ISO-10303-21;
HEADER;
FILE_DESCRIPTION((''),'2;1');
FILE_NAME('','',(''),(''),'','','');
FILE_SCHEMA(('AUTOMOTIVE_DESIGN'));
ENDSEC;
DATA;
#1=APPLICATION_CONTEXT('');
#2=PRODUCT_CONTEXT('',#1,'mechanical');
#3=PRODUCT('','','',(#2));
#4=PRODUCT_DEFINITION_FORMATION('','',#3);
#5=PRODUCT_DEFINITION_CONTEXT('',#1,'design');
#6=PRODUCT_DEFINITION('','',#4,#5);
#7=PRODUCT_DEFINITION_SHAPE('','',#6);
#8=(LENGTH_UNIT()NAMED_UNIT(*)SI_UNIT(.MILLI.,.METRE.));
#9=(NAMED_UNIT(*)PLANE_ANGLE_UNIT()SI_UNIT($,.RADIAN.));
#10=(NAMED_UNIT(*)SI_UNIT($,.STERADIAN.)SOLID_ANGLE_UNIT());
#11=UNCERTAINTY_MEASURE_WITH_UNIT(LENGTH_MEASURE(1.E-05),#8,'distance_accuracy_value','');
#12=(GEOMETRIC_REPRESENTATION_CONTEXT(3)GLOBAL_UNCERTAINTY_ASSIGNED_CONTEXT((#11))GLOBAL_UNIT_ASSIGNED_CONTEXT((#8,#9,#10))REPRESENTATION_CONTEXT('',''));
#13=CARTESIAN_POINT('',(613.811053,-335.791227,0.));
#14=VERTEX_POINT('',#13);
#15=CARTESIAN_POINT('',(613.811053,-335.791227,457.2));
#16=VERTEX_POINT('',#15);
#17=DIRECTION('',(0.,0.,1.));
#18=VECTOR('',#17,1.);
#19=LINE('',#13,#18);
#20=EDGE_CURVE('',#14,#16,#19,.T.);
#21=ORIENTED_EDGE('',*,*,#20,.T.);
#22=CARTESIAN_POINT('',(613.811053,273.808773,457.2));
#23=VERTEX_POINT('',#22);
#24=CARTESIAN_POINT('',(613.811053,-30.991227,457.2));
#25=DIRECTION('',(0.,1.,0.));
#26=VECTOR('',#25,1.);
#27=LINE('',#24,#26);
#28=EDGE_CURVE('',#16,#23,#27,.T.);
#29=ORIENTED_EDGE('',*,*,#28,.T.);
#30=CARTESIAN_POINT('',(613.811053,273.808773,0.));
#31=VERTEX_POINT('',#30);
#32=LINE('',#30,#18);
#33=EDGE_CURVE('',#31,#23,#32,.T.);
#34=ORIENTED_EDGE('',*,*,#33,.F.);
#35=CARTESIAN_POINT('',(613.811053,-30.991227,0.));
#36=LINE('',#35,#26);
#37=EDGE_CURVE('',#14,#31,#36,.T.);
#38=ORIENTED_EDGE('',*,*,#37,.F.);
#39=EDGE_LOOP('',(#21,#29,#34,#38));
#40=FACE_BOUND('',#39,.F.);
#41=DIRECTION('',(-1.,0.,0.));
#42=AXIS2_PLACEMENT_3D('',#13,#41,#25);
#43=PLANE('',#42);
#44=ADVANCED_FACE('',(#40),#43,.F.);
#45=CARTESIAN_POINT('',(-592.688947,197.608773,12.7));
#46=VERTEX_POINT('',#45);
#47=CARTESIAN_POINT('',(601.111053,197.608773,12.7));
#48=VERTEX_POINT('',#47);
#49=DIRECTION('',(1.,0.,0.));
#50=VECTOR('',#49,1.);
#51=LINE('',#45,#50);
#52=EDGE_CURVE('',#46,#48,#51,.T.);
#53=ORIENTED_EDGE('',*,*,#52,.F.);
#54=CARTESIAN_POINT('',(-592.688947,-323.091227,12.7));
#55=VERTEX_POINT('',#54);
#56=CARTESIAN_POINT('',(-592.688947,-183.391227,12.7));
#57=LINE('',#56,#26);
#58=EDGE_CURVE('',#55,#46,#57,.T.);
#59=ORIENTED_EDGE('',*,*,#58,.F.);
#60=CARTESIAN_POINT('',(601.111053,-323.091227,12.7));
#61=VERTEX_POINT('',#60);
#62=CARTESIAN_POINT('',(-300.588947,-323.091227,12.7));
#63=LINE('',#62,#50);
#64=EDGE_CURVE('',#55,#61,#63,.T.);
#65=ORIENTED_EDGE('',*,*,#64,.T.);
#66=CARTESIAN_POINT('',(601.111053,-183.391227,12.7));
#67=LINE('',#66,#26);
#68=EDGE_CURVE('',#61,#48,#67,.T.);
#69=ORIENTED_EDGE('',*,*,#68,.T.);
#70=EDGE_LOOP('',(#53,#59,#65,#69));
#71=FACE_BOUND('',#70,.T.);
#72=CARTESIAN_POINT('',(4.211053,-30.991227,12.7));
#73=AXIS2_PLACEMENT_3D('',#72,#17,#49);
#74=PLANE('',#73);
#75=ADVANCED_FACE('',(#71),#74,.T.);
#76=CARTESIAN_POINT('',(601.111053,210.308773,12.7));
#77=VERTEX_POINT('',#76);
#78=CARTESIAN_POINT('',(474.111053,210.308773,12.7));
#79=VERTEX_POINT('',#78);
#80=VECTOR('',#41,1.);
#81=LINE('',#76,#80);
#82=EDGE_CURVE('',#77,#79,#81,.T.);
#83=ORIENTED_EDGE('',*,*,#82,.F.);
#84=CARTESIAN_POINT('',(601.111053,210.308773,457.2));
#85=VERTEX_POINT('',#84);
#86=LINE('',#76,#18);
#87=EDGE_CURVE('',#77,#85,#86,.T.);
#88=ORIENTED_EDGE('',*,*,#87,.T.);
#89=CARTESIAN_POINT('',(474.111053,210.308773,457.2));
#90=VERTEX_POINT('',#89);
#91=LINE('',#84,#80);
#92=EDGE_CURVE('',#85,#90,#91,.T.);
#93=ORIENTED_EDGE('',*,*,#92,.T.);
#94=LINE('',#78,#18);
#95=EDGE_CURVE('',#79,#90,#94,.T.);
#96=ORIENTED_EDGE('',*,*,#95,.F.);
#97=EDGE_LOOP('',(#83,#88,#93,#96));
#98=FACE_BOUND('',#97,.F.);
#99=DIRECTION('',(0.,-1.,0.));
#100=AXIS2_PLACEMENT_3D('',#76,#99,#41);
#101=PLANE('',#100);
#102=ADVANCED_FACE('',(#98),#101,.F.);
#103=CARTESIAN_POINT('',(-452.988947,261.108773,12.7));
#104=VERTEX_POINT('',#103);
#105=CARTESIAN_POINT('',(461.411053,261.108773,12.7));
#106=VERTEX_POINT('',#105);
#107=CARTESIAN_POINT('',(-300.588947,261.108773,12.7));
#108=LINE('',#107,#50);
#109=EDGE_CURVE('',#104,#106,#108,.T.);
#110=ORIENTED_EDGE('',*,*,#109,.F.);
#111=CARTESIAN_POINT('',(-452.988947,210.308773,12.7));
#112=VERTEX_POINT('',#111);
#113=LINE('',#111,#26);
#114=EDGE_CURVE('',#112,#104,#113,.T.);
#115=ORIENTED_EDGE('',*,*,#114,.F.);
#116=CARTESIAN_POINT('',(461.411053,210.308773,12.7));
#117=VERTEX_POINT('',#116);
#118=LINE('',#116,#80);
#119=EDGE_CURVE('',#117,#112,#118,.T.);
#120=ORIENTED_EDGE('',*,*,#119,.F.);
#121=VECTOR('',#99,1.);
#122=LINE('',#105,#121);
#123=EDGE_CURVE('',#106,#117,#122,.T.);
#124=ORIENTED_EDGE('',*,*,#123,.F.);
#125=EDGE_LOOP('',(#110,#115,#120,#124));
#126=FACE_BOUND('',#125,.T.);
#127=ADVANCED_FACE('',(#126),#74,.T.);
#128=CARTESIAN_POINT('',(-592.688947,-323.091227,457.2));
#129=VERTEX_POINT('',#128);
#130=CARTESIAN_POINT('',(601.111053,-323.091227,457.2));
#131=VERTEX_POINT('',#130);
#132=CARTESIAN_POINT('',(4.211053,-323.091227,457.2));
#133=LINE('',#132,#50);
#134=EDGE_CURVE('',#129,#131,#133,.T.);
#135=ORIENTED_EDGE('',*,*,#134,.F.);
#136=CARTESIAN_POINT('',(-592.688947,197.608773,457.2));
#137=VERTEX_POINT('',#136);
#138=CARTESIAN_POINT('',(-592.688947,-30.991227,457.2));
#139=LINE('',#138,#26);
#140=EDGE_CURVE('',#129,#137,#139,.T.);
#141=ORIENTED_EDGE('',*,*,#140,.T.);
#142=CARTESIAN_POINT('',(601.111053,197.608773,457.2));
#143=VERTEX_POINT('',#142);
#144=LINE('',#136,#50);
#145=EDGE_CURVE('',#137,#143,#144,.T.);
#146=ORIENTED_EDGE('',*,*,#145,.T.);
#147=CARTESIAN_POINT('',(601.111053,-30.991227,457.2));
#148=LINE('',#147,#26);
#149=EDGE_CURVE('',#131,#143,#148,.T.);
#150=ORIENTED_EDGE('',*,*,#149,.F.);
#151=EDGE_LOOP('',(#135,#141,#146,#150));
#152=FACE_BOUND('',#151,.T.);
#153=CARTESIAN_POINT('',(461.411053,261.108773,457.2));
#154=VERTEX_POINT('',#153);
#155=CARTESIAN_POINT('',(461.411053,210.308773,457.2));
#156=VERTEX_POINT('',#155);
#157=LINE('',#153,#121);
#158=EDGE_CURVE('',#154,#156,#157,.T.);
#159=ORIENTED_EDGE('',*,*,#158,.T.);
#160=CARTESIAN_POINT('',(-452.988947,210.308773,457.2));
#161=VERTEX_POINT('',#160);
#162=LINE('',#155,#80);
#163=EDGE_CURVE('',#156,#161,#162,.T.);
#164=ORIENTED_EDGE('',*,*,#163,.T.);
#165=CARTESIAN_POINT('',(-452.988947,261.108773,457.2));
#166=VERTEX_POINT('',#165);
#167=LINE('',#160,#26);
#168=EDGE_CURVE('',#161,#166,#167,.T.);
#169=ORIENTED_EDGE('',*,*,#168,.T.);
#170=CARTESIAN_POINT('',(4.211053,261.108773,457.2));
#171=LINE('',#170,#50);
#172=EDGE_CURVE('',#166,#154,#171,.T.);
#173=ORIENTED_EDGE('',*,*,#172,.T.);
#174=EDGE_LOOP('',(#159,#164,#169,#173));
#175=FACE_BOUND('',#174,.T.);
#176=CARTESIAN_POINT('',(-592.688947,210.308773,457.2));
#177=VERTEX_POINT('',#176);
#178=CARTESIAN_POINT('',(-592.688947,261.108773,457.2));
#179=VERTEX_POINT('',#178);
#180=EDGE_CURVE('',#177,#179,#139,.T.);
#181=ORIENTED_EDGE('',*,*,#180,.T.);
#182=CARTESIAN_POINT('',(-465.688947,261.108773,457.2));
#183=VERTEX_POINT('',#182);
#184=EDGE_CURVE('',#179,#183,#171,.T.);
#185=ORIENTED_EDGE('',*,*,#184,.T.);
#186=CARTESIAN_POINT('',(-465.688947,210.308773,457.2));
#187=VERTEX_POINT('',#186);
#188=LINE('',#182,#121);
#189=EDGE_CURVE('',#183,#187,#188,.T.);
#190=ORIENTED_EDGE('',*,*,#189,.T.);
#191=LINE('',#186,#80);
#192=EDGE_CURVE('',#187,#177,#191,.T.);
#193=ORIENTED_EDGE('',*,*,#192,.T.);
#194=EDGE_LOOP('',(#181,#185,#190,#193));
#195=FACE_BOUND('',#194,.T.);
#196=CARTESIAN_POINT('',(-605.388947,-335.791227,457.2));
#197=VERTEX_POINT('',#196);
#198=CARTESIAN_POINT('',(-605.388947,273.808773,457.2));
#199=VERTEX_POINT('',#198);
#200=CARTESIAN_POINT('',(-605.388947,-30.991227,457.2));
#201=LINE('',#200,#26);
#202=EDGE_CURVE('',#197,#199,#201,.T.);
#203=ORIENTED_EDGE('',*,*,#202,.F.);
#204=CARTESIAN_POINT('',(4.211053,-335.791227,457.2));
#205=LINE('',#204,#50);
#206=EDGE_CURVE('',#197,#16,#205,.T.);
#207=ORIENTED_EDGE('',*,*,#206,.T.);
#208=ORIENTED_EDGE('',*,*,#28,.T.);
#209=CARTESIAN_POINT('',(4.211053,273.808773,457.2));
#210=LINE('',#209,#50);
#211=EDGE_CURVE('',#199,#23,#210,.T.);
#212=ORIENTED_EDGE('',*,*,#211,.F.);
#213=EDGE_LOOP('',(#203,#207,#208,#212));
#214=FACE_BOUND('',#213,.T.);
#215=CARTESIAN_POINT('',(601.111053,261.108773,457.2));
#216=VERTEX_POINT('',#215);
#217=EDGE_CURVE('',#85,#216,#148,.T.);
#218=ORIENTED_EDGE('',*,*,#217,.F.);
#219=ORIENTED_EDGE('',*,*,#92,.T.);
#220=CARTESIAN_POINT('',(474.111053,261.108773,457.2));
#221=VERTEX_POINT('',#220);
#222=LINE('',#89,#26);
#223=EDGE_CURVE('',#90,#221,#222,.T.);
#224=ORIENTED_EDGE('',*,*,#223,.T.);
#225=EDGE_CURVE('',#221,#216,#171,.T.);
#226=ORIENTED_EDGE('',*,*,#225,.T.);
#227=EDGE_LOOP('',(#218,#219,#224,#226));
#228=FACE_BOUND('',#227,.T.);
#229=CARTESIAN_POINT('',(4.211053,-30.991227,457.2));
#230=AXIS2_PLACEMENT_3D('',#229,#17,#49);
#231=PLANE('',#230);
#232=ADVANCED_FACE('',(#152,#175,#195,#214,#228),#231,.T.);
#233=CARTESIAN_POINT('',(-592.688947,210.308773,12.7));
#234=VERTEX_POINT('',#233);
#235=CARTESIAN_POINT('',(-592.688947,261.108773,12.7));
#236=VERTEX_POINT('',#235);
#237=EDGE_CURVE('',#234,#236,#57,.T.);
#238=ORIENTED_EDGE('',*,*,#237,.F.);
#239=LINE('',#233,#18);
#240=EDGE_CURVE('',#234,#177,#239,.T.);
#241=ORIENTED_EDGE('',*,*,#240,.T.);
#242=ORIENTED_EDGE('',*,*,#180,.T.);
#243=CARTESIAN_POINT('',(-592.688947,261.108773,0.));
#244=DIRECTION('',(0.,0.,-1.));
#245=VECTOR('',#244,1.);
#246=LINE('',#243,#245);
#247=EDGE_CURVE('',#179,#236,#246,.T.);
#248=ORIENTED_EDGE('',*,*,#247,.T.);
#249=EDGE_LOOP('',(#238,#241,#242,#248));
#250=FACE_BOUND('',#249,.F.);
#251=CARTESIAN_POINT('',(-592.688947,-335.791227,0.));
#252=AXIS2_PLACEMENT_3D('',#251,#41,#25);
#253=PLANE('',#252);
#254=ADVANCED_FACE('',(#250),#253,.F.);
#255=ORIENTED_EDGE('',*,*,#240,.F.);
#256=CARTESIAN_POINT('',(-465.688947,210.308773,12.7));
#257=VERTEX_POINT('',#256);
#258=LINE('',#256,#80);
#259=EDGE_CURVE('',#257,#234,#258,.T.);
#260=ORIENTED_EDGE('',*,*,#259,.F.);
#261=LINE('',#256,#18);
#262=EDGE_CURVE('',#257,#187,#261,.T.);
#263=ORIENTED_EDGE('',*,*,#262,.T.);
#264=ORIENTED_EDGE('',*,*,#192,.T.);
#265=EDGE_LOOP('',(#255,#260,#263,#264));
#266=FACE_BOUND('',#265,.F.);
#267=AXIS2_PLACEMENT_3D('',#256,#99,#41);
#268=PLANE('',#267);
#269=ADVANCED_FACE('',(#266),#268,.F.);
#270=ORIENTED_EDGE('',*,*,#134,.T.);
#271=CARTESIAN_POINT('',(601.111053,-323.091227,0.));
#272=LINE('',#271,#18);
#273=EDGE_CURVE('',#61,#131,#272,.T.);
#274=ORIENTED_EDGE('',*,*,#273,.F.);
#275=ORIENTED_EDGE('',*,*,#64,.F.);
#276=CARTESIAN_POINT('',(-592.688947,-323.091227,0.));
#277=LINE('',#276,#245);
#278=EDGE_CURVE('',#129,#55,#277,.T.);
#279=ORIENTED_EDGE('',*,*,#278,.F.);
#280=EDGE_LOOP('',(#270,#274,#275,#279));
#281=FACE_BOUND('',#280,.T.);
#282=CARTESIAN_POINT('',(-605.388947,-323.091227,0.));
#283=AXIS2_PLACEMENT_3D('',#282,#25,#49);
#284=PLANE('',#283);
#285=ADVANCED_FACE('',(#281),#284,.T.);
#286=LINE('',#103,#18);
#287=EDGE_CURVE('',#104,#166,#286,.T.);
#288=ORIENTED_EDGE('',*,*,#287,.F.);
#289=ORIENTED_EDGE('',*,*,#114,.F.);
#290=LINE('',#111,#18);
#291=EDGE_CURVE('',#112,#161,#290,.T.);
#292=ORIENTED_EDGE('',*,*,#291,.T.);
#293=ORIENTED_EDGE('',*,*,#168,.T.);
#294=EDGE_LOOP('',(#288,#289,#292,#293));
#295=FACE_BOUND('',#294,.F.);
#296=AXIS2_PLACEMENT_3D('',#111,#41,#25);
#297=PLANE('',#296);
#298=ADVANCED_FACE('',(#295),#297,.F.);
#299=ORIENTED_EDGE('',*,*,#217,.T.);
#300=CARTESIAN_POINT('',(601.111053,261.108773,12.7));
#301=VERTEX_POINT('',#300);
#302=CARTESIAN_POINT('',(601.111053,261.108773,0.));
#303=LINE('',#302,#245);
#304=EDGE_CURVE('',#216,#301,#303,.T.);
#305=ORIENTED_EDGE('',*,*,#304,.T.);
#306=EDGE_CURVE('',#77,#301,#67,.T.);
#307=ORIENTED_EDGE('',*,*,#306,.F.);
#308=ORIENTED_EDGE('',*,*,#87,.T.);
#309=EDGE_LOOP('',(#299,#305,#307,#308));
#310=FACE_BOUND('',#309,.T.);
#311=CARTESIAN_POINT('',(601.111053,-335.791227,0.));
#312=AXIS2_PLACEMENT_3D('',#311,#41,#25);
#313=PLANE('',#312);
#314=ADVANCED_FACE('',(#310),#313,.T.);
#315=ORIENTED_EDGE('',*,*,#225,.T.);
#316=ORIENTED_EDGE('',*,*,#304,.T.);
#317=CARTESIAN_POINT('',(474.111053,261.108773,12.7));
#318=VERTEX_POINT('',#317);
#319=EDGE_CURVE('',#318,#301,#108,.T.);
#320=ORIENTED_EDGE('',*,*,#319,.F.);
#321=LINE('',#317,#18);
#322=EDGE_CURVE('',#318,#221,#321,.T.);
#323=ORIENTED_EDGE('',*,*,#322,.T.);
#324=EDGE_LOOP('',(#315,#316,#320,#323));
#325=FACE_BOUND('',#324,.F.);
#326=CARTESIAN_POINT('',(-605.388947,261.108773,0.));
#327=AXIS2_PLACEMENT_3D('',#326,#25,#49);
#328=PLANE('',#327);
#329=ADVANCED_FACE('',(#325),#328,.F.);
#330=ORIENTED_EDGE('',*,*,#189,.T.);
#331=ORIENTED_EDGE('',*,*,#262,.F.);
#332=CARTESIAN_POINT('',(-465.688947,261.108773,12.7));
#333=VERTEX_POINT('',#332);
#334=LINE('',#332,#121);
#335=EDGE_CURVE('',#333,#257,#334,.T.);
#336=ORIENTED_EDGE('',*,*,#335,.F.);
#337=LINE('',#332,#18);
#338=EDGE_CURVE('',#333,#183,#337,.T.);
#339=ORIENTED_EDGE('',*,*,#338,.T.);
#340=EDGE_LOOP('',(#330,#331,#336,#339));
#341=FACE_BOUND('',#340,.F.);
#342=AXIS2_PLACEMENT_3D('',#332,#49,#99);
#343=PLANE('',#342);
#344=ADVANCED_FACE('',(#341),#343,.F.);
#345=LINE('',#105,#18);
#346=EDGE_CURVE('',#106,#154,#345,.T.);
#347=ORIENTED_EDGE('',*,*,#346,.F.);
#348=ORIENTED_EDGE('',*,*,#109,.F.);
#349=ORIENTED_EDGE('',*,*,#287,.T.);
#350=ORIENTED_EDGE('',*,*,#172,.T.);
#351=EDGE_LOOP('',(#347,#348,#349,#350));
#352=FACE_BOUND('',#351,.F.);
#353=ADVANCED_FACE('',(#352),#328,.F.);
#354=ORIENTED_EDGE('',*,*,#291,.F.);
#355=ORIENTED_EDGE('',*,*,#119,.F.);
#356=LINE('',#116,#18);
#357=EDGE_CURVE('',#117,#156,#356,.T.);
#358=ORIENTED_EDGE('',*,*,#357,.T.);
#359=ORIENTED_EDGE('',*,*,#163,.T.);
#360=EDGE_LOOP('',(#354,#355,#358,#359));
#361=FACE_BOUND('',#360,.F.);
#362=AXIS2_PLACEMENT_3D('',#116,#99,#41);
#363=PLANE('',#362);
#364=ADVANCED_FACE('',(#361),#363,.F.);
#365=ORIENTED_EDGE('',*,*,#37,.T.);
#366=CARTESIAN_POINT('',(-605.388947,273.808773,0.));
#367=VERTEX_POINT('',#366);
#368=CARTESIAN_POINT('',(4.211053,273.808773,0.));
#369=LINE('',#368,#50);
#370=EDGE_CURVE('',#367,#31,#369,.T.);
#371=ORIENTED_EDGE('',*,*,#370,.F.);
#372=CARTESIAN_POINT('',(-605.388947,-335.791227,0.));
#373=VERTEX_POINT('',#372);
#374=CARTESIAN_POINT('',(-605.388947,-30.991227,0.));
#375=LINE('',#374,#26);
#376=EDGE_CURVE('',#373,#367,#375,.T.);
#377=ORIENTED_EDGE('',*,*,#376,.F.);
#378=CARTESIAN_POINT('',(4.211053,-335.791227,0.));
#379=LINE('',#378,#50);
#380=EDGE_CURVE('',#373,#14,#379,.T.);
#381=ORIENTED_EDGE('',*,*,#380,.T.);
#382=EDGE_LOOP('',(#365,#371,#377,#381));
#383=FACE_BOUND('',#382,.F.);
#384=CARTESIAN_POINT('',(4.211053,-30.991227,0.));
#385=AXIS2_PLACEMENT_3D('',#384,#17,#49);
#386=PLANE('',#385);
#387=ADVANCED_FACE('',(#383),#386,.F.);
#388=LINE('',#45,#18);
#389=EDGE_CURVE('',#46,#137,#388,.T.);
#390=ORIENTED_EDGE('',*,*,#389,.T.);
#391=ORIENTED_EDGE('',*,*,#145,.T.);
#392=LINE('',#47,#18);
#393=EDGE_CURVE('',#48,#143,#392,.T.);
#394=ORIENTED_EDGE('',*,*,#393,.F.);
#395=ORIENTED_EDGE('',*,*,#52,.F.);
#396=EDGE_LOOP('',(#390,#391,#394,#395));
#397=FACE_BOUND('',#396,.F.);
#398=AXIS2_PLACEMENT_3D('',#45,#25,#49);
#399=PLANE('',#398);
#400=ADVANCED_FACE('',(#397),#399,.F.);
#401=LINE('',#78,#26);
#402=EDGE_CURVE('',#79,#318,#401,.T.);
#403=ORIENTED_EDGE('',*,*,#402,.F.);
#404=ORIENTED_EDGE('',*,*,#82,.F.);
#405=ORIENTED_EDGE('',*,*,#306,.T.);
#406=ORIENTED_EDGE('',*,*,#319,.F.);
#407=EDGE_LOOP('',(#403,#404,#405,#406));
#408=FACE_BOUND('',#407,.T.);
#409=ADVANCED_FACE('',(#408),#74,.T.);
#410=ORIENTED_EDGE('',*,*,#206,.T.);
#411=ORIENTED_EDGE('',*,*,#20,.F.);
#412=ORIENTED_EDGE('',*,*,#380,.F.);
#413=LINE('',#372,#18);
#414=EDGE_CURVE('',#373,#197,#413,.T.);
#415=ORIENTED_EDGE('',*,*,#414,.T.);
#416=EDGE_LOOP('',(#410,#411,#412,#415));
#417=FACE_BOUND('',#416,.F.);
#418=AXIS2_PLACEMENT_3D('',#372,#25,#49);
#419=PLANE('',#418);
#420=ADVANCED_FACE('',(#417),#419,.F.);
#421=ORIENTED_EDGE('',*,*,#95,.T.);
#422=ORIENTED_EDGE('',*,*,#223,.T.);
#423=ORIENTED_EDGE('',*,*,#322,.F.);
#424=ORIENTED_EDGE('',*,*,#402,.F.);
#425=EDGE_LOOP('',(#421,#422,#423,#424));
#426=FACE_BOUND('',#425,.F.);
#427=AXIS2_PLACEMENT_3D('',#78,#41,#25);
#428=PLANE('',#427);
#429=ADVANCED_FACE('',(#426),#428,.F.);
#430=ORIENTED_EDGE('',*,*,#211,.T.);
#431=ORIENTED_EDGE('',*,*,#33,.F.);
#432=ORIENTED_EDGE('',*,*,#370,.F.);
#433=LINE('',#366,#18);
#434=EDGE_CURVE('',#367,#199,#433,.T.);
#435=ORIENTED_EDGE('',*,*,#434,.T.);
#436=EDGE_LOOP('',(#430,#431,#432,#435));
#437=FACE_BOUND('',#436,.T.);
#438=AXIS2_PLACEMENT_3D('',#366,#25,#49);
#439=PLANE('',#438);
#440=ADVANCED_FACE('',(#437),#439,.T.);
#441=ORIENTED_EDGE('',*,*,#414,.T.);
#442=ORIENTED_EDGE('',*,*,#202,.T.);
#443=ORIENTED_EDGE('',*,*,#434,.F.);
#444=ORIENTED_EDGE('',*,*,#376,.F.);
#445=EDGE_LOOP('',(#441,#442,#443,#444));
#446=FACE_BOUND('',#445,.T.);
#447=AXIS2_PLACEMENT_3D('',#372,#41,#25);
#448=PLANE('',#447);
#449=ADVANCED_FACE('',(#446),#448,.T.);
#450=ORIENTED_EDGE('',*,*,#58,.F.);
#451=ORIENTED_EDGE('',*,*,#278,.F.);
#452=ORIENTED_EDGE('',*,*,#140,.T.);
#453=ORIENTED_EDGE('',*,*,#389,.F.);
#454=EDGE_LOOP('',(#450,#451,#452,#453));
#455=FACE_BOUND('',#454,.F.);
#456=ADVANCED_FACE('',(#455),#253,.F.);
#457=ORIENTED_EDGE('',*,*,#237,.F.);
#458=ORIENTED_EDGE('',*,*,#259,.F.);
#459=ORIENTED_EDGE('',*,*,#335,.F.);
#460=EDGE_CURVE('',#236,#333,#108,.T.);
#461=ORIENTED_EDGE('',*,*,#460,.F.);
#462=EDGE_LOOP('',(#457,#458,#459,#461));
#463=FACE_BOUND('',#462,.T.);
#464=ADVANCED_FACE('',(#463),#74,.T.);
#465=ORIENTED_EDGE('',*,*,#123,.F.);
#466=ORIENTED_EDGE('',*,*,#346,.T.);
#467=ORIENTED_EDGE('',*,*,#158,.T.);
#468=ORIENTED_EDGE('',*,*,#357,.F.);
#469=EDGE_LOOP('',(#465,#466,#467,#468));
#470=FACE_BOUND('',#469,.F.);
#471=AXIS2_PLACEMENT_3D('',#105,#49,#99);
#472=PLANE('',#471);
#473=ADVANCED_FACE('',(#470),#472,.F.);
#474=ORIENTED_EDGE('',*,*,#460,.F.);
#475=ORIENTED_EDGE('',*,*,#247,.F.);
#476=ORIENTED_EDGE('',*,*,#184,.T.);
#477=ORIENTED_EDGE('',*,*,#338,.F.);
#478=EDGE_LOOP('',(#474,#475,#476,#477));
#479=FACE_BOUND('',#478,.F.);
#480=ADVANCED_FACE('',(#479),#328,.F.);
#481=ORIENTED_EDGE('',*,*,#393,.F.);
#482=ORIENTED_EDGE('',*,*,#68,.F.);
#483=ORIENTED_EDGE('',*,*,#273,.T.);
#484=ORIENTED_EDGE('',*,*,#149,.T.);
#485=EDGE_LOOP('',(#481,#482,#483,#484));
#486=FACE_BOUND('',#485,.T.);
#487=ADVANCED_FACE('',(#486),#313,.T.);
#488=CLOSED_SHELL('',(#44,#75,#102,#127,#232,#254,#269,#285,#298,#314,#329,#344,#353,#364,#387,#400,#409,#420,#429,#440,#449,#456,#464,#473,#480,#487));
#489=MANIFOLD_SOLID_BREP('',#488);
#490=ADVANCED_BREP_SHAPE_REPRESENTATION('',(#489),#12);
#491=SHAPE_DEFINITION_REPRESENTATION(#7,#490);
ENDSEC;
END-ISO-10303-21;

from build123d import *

# Parameters (mm, degrees)
F0_W     = 1219.2
F0_H     = 609.6
F1_DEPTH = 457.2
F2_T     = -12.7
F4_DEPTH = 444.5


with BuildPart() as f1:
    # F0 (on Top) → F1 (new body)
    with BuildSketch(Plane.XY):
        with Locations((4.2110532522, -30.9912272245)):
            Rectangle(F0_W, F0_H)
    extrude(amount=F1_DEPTH)

    # F2
    f2_openings = [f1.faces().sort_by_distance(p)[0] for p in [
        (4.211053, -30.991227, 457.2),
    ]]
    offset(amount=F2_T, openings=f2_openings)

    # F3 (on face) → F4 (join, through all)
    with BuildSketch(Plane.XY.offset(12.7)):
        Polygon((-465.6889467478, 210.3087727755), (-592.6889467478, 210.3087727755), (-592.6889467478, 197.6087727755), (601.1110532522, 197.6087727755), (601.1110532522, 210.3087727755), (474.1110532522, 210.3087727755), (474.1110532522, 261.1087727755), (461.4110532522, 261.1087727755), (461.4110532522, 210.3087727755), (-452.9889467478, 210.3087727755), (-452.9889467478, 261.1087727755), (-465.6889467478, 261.1087727755), align=None)
    extrude(amount=F4_DEPTH)


solid = f1.part
